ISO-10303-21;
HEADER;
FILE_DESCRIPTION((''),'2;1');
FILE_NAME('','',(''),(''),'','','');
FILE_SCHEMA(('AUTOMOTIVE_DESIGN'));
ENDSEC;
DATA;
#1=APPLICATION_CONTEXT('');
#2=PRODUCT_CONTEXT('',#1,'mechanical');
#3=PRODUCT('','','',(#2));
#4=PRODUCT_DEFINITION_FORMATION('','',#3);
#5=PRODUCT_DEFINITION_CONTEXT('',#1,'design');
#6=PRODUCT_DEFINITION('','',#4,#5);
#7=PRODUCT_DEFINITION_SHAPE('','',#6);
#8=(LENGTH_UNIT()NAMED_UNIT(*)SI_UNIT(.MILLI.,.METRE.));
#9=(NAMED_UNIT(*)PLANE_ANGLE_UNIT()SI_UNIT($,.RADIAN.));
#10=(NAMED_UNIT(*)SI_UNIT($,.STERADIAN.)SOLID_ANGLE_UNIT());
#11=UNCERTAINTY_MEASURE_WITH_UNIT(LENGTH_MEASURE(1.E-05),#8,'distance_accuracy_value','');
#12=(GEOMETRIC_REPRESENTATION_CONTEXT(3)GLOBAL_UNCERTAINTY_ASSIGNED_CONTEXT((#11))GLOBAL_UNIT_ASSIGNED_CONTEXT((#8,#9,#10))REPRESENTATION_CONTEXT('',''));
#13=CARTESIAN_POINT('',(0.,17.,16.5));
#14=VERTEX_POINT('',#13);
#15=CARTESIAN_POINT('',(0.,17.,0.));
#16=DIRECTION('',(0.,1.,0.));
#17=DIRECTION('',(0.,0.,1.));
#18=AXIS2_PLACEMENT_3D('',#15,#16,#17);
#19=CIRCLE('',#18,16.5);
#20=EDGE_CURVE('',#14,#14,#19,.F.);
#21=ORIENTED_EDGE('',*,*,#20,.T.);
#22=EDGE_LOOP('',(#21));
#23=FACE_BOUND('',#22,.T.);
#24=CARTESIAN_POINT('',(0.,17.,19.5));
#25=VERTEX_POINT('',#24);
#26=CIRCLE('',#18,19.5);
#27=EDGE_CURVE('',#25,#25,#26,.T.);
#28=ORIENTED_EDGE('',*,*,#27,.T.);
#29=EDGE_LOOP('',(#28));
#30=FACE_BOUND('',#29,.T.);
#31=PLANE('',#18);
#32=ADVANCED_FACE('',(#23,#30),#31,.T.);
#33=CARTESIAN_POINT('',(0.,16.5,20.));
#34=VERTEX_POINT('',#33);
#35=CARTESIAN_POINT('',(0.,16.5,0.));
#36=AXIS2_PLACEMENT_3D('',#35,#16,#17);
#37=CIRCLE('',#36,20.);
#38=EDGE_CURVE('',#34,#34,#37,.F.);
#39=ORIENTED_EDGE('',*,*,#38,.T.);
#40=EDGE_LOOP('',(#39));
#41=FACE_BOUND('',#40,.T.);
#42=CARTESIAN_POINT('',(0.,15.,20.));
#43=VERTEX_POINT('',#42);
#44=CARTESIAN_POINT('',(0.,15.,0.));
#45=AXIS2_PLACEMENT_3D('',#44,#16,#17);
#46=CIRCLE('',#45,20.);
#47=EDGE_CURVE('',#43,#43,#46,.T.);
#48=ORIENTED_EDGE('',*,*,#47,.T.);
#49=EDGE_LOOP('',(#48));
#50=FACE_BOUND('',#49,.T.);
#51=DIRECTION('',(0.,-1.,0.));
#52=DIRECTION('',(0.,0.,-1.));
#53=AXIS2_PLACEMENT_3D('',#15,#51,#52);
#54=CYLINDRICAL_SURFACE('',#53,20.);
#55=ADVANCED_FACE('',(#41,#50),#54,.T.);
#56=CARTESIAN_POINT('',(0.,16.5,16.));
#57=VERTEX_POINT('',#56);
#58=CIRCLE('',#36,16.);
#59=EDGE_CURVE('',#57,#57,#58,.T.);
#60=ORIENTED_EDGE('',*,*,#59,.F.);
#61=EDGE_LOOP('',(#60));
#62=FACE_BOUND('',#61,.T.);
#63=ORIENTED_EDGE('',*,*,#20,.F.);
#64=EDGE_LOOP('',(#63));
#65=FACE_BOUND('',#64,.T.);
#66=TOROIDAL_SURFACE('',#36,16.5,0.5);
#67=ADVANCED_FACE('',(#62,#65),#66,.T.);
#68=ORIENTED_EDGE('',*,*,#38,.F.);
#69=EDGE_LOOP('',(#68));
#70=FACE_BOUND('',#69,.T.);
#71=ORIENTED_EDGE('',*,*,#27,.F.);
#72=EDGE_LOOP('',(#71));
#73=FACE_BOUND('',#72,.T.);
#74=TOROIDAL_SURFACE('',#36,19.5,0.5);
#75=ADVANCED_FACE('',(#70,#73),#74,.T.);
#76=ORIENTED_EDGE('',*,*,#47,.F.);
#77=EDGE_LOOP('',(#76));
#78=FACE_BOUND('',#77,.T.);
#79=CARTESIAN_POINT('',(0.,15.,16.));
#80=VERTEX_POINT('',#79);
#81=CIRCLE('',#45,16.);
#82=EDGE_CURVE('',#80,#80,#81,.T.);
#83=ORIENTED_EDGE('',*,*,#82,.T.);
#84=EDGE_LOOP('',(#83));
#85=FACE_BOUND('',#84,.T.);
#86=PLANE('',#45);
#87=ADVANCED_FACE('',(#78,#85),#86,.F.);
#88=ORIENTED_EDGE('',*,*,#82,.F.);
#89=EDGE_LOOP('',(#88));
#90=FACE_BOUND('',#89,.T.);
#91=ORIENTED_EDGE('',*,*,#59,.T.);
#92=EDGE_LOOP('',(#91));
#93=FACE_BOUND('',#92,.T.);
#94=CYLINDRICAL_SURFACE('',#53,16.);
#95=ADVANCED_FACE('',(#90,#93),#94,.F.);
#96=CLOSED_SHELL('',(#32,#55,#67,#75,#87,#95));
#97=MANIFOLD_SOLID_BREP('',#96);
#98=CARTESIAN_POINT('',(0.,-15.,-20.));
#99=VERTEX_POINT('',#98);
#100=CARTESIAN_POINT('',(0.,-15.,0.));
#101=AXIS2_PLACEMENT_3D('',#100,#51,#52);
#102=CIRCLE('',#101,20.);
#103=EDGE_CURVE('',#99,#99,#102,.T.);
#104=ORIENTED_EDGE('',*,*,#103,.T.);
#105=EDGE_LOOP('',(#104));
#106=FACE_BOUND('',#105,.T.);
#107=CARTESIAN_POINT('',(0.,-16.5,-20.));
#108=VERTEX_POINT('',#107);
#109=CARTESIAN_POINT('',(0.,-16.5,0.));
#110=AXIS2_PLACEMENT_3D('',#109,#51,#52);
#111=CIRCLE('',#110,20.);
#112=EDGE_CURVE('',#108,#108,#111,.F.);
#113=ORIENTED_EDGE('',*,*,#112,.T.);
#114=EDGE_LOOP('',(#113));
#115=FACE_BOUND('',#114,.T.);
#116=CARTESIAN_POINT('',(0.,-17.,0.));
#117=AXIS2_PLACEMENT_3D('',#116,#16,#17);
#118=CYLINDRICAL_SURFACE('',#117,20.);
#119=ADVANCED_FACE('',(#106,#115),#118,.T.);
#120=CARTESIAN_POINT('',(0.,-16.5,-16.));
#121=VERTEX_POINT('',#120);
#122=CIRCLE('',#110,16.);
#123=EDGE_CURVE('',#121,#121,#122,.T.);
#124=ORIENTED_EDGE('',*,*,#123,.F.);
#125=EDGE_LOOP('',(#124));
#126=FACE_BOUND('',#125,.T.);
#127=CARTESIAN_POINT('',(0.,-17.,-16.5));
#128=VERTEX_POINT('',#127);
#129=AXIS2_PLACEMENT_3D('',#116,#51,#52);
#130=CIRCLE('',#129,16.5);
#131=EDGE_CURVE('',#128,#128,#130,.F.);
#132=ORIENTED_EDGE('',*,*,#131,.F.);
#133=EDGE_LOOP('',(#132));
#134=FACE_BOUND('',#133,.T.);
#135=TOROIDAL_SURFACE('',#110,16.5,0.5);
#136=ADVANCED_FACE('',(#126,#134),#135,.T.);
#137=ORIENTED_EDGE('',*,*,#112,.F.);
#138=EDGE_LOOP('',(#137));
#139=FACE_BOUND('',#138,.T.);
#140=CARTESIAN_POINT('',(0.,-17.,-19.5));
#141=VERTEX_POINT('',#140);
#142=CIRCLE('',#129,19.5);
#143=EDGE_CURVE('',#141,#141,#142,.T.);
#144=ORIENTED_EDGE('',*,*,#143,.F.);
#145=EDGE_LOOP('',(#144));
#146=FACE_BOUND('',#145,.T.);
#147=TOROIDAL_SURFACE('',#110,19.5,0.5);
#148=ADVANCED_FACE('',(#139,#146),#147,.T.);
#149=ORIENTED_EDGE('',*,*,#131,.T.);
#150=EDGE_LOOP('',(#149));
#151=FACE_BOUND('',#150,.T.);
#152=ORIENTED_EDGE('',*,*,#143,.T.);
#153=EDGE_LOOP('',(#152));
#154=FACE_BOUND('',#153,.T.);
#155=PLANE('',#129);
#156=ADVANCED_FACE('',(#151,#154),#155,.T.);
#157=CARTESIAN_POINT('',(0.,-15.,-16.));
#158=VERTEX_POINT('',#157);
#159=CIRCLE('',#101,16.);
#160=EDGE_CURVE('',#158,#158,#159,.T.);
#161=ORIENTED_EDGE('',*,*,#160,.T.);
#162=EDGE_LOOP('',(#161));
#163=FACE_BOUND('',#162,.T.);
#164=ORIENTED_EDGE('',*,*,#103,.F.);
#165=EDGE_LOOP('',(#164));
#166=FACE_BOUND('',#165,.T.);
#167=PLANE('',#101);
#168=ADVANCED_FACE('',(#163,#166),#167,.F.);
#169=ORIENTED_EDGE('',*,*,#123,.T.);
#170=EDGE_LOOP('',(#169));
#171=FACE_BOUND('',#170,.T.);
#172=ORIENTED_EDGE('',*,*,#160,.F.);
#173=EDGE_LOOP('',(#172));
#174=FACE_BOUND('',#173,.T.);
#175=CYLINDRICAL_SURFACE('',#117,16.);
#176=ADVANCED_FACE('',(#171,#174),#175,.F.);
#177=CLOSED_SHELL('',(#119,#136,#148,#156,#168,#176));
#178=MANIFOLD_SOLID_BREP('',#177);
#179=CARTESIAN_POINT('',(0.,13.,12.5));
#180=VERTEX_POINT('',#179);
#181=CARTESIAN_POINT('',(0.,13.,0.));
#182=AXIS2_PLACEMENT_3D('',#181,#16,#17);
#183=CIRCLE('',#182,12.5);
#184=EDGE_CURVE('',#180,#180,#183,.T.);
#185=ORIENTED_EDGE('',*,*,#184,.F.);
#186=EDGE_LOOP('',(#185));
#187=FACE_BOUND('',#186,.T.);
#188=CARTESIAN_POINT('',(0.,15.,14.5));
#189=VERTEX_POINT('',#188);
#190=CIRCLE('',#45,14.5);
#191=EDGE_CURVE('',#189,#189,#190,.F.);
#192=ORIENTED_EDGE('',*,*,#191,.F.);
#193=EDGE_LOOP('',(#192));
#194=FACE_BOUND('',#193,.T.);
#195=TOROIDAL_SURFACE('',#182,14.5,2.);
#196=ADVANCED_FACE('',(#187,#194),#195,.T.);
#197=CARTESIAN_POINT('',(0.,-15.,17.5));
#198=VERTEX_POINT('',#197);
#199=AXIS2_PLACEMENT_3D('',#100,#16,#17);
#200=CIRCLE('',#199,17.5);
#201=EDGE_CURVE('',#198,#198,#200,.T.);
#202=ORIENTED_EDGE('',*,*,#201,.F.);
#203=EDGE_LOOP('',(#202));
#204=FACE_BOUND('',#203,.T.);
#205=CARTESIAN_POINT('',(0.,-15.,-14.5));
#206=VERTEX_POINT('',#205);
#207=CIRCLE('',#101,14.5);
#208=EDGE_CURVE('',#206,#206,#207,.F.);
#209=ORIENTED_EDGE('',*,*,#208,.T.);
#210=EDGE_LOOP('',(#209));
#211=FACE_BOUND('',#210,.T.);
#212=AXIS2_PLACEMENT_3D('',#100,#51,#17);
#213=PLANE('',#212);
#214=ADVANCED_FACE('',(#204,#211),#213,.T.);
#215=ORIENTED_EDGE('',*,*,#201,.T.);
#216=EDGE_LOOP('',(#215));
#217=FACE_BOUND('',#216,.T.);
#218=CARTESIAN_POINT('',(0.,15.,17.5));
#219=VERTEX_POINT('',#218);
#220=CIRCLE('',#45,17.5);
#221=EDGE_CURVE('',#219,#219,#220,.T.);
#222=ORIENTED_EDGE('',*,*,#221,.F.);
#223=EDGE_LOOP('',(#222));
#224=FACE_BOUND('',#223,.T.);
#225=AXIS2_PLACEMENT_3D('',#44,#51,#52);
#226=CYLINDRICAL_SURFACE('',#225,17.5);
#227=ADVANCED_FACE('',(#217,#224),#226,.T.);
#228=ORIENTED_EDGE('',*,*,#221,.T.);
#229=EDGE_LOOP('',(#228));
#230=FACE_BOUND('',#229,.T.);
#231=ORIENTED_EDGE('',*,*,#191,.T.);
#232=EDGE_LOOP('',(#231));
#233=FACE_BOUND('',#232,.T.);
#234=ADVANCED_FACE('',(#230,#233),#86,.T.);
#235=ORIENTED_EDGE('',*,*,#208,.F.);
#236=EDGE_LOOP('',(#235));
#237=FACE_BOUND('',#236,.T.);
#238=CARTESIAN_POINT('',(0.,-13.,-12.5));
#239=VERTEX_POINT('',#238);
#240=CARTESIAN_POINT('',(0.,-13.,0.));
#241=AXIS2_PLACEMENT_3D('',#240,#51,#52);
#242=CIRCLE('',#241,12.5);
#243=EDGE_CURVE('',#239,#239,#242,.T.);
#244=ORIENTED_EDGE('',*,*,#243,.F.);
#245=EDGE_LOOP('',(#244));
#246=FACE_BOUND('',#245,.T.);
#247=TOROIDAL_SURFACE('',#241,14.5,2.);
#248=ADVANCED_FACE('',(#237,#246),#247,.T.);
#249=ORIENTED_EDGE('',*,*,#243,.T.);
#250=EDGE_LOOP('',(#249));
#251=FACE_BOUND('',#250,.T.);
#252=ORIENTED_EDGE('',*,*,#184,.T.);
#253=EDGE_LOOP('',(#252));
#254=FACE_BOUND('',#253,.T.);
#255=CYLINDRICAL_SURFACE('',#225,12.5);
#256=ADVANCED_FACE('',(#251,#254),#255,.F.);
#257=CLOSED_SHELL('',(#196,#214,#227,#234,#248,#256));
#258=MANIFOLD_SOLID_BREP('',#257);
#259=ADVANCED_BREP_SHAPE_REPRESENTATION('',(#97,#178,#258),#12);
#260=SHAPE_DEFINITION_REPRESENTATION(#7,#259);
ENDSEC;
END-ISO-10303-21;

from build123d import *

# Parameters (mm, degrees)
SZKIC1_R                    = 17.5
SZKIC1_R_2                  = 12.5
DODANIE_WYCI_GNI_CIE1_DEPTH = 15
SZKIC2_R                    = 20
SZKIC2_R_2                  = 16
DODANIE_WYCI_GNI_CIE2_DEPTH = 2
ZAOKR_GLENIE1_R             = 0.5
ZAOKR_GLENIE2_R             = 2
ZAOKR_GLENIE2_OF_LUSTRO3_R  = 2
SZKIC3_R                    = 20
SZKIC3_R_2                  = 16
DODANIE_WYCI_GNI_CIE3_DEPTH = 2
ZAOKR_GLENIE3_R             = 0.5


with BuildPart() as part:
    # Szkic1 → Dodanie-wyciągnięcie1 (new body)
    with BuildSketch(Plane(origin=(0, 0, 0), x_dir=(1, 0, 0), z_dir=(0, 1, 0))):
        with Locations(Location((0, 0, 0), (0, 0, 270))):
            Circle(SZKIC1_R)
        with Locations(Location((0, 0, 0), (0, 0, 270))):
            Circle(SZKIC1_R_2, mode=Mode.SUBTRACT)
    dodanie_wyci_gni_cie1 = extrude(amount=DODANIE_WYCI_GNI_CIE1_DEPTH)

    # Zaokrąglenie2
    zaokr_glenie2_edges = [part.edges().sort_by_distance(p)[0] for p in [
        (0, 15, -12.5),
    ]]
    fillet(zaokr_glenie2_edges, radius=ZAOKR_GLENIE2_R)

    # Lustro3: Dodanie-wyciągnięcie1 across plane
    add(dodanie_wyci_gni_cie1.mirror(Plane.ZX))

    # Zaokrąglenie2 of Lustro3
    zaokr_glenie2_of_lustro3_edges = [part.edges().sort_by_distance(p)[0] for p in [
        (0, -15, -12.5),
    ]]
    fillet(zaokr_glenie2_of_lustro3_edges, radius=ZAOKR_GLENIE2_OF_LUSTRO3_R)


with BuildPart() as body_2:
    # Szkic2 → Dodanie-wyciągnięcie2 (new body)
    with BuildSketch(Plane(origin=(0, 15, 0), x_dir=(1, 0, 0), z_dir=(0, 1, 0))):
        with Locations(Location((0, 0, 0), (0, 0, 270))):
            Circle(SZKIC2_R)
        with Locations(Location((0, 0, 0), (0, 0, 270))):
            Circle(SZKIC2_R_2, mode=Mode.SUBTRACT)
    extrude(amount=DODANIE_WYCI_GNI_CIE2_DEPTH)

    # Zaokrąglenie1
    zaokr_glenie1_edges = [body_2.edges().sort_by_distance(p)[0] for p in [
        (0, 17, -20),
        (0, 17, -16),
    ]]
    fillet(zaokr_glenie1_edges, radius=ZAOKR_GLENIE1_R)


with BuildPart() as body_3:
    # Szkic3 → Dodanie-wyciągnięcie3 (new body)
    with BuildSketch(Plane.XZ.offset(15)):
        with Locations(Location((0, 0, 0), (0, 0, 270))):
            Circle(SZKIC3_R)
        with Locations(Location((0, 0, 0), (0, 0, 270))):
            Circle(SZKIC3_R_2, mode=Mode.SUBTRACT)
    extrude(amount=DODANIE_WYCI_GNI_CIE3_DEPTH)

    # Zaokrąglenie3
    zaokr_glenie3_edges = [body_3.edges().sort_by_distance(p)[0] for p in [
        (0, -17, 20),
        (0, -17, 16),
    ]]
    fillet(zaokr_glenie3_edges, radius=ZAOKR_GLENIE3_R)


solid = Compound([part.part, body_2.part, body_3.part])
